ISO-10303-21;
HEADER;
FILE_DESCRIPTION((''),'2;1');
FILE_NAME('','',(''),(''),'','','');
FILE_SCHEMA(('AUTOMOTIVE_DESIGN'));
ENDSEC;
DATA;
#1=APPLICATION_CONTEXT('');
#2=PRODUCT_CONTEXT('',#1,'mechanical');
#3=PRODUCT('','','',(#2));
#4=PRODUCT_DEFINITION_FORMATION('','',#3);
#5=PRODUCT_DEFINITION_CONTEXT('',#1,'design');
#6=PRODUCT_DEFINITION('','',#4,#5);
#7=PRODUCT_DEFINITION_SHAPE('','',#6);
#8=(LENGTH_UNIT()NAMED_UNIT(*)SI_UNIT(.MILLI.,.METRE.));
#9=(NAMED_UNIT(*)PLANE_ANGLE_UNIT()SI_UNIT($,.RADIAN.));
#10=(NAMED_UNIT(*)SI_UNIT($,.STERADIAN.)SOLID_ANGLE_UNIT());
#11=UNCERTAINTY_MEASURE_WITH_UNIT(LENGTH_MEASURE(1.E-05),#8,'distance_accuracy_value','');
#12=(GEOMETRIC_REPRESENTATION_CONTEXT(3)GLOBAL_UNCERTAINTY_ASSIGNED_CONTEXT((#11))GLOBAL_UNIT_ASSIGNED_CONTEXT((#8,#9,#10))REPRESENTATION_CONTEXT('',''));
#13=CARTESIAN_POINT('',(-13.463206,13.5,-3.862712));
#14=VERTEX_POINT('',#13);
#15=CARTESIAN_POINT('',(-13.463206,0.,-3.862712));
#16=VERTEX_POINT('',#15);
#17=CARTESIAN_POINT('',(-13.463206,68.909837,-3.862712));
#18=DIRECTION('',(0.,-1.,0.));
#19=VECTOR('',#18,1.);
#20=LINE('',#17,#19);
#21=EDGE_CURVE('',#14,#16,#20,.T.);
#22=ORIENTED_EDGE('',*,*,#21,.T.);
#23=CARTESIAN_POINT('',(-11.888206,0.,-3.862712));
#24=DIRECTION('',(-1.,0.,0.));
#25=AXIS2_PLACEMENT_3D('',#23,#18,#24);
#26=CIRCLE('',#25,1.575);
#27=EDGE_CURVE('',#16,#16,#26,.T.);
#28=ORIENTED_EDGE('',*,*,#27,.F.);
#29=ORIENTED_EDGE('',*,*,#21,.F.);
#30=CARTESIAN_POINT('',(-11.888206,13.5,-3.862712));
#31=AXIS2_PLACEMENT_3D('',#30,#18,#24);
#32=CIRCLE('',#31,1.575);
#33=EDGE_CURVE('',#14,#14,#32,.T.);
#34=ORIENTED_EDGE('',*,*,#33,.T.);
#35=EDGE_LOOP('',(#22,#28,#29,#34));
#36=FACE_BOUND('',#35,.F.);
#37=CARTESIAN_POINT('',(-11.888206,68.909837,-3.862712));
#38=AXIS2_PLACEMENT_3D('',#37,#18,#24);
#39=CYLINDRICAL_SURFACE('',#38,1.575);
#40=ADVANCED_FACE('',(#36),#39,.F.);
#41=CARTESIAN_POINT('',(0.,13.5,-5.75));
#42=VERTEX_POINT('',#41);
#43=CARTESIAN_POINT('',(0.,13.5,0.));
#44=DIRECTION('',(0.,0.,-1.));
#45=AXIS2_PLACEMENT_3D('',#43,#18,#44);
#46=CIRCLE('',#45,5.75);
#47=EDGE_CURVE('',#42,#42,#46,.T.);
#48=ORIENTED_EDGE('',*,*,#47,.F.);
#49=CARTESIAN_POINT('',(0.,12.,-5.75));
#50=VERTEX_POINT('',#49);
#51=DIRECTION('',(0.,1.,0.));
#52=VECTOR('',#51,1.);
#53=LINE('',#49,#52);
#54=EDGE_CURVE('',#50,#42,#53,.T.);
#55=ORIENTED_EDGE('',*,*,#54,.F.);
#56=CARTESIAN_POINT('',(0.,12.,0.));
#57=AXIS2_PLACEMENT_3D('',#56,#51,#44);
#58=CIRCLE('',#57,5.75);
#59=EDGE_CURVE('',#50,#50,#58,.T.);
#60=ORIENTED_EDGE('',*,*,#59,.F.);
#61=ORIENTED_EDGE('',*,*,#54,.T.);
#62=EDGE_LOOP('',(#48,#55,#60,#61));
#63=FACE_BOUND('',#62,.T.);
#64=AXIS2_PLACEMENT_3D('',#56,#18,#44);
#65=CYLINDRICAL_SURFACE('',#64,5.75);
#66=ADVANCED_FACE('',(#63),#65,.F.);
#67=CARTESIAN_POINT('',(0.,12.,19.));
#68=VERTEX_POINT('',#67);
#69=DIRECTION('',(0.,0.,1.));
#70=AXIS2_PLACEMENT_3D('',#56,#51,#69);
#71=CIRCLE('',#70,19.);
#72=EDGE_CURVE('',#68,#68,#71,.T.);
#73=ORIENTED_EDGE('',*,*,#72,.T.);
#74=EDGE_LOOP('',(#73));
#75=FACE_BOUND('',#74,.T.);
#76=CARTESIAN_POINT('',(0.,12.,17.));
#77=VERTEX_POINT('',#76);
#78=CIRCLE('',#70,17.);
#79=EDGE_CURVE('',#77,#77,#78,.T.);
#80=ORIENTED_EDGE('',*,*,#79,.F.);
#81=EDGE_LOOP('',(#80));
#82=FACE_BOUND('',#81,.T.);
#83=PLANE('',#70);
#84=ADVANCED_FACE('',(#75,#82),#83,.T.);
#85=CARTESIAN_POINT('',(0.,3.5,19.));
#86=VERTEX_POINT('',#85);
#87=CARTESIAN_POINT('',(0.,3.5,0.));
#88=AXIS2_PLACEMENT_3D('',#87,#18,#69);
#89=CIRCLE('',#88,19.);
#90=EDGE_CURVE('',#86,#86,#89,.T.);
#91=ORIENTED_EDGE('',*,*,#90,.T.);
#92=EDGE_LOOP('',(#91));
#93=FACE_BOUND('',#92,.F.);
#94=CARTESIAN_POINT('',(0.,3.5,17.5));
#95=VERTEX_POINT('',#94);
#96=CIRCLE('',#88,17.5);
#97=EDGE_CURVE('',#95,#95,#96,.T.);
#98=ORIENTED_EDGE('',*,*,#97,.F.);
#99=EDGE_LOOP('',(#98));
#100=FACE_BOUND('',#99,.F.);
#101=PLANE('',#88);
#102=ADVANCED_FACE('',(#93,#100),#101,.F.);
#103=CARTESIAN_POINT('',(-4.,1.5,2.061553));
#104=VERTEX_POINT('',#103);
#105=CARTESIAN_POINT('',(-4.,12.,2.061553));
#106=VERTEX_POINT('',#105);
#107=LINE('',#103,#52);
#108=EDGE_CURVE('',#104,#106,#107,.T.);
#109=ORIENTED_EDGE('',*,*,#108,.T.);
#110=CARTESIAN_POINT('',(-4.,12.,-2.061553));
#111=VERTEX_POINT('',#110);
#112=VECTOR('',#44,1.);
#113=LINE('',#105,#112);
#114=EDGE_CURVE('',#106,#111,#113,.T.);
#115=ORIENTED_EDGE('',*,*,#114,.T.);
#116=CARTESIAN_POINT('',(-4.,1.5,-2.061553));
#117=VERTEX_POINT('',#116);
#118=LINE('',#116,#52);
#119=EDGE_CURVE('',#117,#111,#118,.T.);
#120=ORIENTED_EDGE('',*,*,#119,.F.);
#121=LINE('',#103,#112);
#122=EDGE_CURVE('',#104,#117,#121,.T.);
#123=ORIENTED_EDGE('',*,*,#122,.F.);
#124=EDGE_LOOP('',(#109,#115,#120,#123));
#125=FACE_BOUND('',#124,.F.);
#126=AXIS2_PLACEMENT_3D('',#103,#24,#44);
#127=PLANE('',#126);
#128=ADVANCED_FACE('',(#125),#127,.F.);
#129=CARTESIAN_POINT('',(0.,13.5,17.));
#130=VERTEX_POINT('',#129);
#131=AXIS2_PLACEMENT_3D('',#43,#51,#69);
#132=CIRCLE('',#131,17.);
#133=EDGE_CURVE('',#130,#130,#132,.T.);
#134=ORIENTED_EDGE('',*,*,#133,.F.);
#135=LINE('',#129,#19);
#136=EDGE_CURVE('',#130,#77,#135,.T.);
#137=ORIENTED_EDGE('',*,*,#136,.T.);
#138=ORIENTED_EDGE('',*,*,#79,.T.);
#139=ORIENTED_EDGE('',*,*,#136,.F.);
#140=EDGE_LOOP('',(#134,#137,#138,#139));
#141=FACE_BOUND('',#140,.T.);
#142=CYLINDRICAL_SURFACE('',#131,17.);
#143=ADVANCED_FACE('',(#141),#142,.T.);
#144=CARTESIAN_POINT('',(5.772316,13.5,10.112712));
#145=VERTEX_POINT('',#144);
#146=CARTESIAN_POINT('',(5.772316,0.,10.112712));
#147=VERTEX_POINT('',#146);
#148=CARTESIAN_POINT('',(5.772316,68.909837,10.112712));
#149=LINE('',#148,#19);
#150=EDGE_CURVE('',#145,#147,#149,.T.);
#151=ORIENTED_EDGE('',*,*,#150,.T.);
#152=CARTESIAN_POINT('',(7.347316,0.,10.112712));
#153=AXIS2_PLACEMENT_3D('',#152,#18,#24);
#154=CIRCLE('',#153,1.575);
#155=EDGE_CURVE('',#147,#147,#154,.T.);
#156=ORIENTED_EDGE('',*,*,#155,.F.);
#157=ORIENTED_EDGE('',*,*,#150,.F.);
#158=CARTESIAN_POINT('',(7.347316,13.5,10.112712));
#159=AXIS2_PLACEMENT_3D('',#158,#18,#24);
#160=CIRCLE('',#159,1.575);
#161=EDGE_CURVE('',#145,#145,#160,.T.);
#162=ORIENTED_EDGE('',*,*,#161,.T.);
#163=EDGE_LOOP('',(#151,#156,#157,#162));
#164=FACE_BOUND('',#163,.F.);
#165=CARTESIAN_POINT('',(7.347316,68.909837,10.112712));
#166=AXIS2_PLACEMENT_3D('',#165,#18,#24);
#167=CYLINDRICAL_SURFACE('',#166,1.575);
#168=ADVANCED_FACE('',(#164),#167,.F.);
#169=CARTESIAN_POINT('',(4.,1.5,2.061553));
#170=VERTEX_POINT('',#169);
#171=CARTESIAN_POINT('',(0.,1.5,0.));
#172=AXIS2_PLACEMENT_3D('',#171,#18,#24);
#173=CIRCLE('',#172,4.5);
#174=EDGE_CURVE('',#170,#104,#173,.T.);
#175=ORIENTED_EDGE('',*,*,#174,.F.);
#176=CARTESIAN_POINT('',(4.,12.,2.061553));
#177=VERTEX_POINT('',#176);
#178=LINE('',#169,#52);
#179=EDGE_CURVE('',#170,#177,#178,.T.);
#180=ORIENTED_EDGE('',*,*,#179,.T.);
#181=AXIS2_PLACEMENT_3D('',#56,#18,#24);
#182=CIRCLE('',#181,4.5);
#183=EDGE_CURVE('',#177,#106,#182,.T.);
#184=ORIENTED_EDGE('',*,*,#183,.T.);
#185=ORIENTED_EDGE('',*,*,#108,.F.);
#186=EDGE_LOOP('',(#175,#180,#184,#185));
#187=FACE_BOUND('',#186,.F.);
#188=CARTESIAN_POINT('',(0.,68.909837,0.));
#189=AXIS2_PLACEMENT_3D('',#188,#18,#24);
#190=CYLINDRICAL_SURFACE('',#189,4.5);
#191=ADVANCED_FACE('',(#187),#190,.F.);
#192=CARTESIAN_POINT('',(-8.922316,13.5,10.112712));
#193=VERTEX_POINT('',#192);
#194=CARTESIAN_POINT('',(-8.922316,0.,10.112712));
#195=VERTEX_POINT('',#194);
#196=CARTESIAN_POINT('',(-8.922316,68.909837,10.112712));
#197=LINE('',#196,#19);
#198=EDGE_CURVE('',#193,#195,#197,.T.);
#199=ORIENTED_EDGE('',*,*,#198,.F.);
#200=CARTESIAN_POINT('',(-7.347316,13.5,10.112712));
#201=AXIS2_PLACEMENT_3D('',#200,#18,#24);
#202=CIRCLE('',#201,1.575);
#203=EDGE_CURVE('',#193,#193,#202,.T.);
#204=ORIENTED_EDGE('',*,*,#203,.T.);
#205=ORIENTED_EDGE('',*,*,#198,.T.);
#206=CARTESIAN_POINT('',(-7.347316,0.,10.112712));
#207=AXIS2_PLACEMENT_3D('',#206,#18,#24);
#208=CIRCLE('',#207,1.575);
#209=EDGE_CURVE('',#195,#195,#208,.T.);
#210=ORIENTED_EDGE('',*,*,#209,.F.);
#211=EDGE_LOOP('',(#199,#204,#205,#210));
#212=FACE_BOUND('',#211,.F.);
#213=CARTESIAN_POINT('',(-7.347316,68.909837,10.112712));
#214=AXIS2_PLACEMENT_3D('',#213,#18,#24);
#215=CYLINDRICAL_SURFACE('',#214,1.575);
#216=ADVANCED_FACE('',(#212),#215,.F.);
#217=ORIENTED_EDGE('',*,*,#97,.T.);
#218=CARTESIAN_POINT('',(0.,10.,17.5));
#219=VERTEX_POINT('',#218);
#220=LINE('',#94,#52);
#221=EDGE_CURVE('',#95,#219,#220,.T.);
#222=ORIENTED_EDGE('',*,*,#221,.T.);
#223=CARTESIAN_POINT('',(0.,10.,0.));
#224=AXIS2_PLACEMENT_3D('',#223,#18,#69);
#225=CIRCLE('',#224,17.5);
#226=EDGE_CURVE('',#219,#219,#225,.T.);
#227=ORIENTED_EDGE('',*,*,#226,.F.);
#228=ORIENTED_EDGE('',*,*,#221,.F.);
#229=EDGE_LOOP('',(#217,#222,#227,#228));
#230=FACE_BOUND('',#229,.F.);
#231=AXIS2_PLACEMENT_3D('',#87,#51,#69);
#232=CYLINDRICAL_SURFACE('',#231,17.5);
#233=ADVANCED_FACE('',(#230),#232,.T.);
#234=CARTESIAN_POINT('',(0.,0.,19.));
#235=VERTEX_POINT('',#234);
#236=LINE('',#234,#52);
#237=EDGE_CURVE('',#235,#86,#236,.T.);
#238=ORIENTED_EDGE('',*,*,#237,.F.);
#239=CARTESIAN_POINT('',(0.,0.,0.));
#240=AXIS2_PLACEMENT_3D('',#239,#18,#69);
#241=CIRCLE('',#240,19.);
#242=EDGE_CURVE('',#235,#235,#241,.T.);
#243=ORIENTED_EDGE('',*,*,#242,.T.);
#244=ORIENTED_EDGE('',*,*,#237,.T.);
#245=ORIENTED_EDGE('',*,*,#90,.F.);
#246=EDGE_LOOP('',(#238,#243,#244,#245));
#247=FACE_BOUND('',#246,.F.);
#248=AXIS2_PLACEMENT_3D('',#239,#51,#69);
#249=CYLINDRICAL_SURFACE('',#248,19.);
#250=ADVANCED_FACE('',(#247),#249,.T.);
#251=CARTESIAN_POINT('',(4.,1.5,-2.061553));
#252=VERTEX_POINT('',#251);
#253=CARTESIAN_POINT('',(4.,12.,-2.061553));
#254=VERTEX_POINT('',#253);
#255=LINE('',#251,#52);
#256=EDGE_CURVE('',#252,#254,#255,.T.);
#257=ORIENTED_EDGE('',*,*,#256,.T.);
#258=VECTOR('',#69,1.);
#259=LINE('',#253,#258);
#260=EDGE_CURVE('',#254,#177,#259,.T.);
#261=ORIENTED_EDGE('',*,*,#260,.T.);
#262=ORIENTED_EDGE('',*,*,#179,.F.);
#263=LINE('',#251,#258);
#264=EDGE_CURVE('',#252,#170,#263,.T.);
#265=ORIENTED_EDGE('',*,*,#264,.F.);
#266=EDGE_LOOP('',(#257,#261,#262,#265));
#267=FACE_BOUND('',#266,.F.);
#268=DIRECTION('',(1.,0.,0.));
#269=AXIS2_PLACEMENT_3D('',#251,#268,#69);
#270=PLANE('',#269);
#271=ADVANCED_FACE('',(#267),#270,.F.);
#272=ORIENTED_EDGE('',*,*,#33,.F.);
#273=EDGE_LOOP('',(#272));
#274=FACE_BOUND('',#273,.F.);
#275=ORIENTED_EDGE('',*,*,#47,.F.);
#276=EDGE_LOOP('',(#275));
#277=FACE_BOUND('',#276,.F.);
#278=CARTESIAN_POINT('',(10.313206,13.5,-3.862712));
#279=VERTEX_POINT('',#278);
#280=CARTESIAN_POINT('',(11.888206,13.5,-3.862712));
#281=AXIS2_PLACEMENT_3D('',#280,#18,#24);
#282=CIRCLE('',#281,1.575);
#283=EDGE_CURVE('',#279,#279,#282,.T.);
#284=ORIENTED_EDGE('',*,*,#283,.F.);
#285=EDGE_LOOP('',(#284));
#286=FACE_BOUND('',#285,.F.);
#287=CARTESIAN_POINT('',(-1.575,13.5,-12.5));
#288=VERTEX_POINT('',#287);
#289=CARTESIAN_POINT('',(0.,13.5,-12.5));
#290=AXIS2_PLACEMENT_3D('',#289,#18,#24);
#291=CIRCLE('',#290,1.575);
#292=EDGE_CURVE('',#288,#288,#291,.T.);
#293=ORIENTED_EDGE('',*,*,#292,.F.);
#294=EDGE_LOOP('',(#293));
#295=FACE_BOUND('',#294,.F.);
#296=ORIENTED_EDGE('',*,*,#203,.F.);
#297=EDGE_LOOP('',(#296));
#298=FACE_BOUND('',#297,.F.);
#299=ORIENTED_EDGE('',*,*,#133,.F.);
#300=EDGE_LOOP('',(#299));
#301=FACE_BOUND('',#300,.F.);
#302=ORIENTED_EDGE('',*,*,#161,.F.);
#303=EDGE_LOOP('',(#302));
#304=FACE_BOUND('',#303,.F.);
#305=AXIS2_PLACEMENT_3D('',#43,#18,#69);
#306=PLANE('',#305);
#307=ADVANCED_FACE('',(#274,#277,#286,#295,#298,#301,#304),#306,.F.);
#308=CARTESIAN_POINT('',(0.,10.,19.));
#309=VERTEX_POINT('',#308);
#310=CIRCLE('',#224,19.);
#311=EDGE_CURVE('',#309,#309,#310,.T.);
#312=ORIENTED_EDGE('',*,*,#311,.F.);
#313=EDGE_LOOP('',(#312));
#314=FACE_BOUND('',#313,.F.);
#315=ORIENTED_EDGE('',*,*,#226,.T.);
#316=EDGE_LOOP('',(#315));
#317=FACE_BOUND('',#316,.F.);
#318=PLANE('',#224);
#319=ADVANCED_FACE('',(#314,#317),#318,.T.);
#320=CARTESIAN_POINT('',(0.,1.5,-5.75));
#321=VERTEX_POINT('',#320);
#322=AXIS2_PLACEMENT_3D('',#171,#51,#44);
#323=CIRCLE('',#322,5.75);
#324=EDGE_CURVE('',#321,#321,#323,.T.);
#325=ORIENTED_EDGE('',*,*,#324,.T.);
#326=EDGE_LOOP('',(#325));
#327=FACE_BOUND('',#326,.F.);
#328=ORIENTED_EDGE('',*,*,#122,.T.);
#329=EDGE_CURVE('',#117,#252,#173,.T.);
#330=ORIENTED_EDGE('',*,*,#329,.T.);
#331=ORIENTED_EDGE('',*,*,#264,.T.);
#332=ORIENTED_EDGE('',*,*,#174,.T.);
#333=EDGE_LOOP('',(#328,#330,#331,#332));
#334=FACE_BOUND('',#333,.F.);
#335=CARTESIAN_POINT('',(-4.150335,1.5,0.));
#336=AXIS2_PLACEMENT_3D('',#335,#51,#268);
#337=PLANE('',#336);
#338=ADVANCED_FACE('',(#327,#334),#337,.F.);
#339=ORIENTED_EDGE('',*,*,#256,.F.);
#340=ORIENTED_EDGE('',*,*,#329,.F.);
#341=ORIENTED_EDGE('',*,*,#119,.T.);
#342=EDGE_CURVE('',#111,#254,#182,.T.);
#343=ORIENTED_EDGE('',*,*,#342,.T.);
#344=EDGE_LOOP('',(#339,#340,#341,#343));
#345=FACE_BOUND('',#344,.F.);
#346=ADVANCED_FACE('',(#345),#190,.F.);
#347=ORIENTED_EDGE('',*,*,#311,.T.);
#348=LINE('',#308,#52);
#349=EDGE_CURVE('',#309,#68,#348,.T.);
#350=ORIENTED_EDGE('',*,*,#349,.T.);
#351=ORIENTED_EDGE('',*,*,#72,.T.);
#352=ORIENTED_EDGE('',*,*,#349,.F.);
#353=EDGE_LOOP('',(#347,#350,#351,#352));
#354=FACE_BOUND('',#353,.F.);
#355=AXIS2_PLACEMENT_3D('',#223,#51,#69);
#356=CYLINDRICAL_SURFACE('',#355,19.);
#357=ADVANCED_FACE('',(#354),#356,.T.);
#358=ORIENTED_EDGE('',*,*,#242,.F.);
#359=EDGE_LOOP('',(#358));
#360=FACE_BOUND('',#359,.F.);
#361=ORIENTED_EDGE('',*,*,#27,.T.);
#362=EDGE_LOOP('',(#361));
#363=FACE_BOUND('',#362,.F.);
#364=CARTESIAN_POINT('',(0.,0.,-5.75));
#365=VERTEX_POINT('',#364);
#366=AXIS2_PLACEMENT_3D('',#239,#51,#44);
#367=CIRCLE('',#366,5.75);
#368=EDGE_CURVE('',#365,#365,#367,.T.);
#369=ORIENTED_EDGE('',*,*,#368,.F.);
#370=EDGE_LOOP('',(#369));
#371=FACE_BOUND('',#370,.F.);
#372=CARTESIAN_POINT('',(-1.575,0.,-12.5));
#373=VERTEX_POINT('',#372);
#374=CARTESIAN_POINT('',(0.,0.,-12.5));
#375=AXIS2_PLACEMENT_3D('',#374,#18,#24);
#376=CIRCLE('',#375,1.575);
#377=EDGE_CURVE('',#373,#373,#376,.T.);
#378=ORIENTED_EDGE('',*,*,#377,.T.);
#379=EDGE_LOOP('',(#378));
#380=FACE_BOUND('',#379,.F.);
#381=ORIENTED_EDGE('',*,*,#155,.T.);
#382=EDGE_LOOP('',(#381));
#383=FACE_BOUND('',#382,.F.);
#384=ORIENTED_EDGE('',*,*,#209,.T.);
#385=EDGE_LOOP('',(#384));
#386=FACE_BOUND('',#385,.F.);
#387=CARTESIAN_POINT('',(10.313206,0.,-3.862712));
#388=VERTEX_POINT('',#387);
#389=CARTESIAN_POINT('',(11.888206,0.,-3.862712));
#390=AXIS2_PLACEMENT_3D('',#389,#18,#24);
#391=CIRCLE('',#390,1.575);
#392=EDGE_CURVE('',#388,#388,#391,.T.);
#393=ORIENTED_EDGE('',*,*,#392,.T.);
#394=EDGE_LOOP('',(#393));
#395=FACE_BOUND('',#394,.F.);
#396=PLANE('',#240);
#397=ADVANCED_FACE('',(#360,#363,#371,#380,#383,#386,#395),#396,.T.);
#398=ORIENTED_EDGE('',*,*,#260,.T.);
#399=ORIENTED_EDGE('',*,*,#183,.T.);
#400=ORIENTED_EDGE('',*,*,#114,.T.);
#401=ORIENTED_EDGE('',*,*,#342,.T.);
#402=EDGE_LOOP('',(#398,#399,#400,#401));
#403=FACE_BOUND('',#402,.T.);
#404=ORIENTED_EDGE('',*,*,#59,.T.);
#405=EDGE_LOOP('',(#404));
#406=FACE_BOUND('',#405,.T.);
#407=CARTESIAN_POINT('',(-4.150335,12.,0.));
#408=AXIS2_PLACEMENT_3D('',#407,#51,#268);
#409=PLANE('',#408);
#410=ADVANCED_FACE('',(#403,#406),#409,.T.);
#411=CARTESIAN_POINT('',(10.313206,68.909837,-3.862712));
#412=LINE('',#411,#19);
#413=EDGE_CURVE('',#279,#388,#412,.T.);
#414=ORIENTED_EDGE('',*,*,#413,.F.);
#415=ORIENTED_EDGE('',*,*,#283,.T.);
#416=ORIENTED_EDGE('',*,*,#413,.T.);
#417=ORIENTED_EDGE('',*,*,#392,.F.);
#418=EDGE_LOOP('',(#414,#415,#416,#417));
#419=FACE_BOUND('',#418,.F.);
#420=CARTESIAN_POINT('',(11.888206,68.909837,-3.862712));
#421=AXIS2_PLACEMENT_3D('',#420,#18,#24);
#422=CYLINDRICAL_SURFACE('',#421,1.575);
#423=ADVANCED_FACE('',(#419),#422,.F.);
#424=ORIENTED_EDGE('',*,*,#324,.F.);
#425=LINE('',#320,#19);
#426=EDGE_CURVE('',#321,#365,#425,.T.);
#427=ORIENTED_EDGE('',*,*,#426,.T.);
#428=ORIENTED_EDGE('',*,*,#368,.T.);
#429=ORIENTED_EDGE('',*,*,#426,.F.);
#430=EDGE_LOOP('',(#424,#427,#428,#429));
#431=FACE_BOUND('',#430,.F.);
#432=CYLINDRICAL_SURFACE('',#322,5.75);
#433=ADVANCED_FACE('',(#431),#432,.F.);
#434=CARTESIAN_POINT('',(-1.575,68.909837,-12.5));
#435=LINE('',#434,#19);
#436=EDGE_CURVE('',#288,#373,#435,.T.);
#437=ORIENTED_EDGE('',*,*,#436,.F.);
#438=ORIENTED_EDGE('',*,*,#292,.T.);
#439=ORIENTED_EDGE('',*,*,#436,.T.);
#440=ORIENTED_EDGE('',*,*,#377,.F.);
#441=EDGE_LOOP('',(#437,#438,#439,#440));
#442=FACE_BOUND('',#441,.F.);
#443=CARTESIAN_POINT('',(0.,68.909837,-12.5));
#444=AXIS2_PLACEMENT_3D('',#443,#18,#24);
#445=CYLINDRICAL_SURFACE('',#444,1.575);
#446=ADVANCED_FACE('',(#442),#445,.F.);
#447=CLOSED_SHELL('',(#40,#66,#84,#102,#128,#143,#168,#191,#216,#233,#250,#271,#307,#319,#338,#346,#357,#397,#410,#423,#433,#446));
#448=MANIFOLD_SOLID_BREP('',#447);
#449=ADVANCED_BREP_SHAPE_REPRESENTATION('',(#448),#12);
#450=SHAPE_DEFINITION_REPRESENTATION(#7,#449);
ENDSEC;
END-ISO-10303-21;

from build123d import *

# Parameters (mm, degrees)
F_9_0_9_DIAMETER_HOLE1_D     = 9
CUT_EXTRUDE1_DEPTH           = 31.070749908
CUT_EXTRUDE1_DEPTH_BACK      = 1.5
SKETCH6_R                    = 5.75
CUT_EXTRUDE2_START           = -12
SKETCH6_2_R                  = 5.75
CUT_EXTRUDE2_DEPTH           = 1.5
BOSS_EXTRUDE1_START          = -10.5
BOSS_EXTRUDE1_DEPTH          = 10.5
TAP_DRILL_FOR_M3_HELICOIL1_D = 3.15
SKETCH11_R                   = 19
SKETCH11_R_2                 = 17
CUT_EXTRUDE3_DEPTH           = 1.5


with BuildPart() as part:
    # Sketch1 → Revolve1 (revolve)
    with BuildSketch(Plane.XY, mode=Mode.PRIVATE) as revolve1_sk:
        Polygon((0, 0), (19, 0), (19, 3.5), (17.5, 3.5), (17.5, 10), (19, 10), (19, 13.5), (0, 13.5), align=None)
    revolve(revolve1_sk.sketch.rotate(Axis((0, 13.5, 0), (0, -1, 0)), 90), axis=Axis((0, 13.5, 0), (0, -1, 0)))

    # Ø9.0 (9) Diameter Hole1 (through all)
    with Locations(Plane(origin=(0, 13.5, 0), x_dir=(1, 0, 0), z_dir=(0, 1, 0))):
        with Locations((0, 0)):
            Hole(F_9_0_9_DIAMETER_HOLE1_D / 2)

    # Sketch6 → Cut-Extrude1 (cut, two sides: drawn at the far end of the back side and taken through both)
    with BuildSketch(Plane(origin=(0, 13.5, 0), x_dir=(1, 0, 0), z_dir=(0, 1, 0)).offset(-CUT_EXTRUDE1_DEPTH_BACK)):
        with Locations(Location((0, 0, 0), (0, 0, 90))):
            Circle(SKETCH6_R)
    extrude(amount=CUT_EXTRUDE1_DEPTH + CUT_EXTRUDE1_DEPTH_BACK, mode=Mode.SUBTRACT)

    # Sketch6<2> → Cut-Extrude2 (cut)
    with BuildSketch(Plane(origin=(0, 13.5, 0), x_dir=(1, 0, 0), z_dir=(0, 1, 0)).offset(CUT_EXTRUDE2_START)):
        with Locations(Location((0, 0, 0), (0, 0, 90))):
            Circle(SKETCH6_2_R)
    extrude(amount=-CUT_EXTRUDE2_DEPTH, mode=Mode.SUBTRACT)

    # Sketch7 → Boss-Extrude1 (add)
    with BuildSketch(Plane(origin=(0, 12, 0), x_dir=(1, 0, 0), z_dir=(0, 1, 0)).offset(BOSS_EXTRUDE1_START)):
        with BuildLine():
            ThreePointArc((-4, 2.061552813), (-4.5, 0), (-4, -2.061552813))
            Line((-4, -2.061552813), (-4, 2.061552813))
        make_face()
        with BuildLine():
            Line((4, 2.061552813), (4, -2.061552813))
            ThreePointArc((4, -2.061552813), (4.373213921, -1.060660172), (4.5, 0))
            ThreePointArc((4.5, 0), (4.373213921, 1.060660172), (4, 2.061552813))
        make_face()
    extrude(amount=BOSS_EXTRUDE1_DEPTH)

    # Tap Drill for M3 Helicoil1 (through all)
    with Locations(Plane(origin=(0, 13.5, 0), x_dir=(1, 0, 0), z_dir=(0, 1, 0))):
        with Locations((-11.888206454, 3.86271243), (0, 12.5), (11.888206454, 3.86271243), (7.347315654, -10.11271243), (-7.347315654, -10.11271243)):
            Hole(TAP_DRILL_FOR_M3_HELICOIL1_D / 2)

    # Sketch11 → Cut-Extrude3 (cut)
    with BuildSketch(Plane(origin=(0, 13.5, 0), x_dir=(1, 0, 0), z_dir=(0, 1, 0))):
        with Locations(Location((0, 0, 0), (0, 0, 270))):
            Circle(SKETCH11_R)
        with Locations(Location((0, 0, 0), (0, 0, 270))):
            Circle(SKETCH11_R_2, mode=Mode.SUBTRACT)
    extrude(amount=-CUT_EXTRUDE3_DEPTH, mode=Mode.SUBTRACT)


solid = part.part
